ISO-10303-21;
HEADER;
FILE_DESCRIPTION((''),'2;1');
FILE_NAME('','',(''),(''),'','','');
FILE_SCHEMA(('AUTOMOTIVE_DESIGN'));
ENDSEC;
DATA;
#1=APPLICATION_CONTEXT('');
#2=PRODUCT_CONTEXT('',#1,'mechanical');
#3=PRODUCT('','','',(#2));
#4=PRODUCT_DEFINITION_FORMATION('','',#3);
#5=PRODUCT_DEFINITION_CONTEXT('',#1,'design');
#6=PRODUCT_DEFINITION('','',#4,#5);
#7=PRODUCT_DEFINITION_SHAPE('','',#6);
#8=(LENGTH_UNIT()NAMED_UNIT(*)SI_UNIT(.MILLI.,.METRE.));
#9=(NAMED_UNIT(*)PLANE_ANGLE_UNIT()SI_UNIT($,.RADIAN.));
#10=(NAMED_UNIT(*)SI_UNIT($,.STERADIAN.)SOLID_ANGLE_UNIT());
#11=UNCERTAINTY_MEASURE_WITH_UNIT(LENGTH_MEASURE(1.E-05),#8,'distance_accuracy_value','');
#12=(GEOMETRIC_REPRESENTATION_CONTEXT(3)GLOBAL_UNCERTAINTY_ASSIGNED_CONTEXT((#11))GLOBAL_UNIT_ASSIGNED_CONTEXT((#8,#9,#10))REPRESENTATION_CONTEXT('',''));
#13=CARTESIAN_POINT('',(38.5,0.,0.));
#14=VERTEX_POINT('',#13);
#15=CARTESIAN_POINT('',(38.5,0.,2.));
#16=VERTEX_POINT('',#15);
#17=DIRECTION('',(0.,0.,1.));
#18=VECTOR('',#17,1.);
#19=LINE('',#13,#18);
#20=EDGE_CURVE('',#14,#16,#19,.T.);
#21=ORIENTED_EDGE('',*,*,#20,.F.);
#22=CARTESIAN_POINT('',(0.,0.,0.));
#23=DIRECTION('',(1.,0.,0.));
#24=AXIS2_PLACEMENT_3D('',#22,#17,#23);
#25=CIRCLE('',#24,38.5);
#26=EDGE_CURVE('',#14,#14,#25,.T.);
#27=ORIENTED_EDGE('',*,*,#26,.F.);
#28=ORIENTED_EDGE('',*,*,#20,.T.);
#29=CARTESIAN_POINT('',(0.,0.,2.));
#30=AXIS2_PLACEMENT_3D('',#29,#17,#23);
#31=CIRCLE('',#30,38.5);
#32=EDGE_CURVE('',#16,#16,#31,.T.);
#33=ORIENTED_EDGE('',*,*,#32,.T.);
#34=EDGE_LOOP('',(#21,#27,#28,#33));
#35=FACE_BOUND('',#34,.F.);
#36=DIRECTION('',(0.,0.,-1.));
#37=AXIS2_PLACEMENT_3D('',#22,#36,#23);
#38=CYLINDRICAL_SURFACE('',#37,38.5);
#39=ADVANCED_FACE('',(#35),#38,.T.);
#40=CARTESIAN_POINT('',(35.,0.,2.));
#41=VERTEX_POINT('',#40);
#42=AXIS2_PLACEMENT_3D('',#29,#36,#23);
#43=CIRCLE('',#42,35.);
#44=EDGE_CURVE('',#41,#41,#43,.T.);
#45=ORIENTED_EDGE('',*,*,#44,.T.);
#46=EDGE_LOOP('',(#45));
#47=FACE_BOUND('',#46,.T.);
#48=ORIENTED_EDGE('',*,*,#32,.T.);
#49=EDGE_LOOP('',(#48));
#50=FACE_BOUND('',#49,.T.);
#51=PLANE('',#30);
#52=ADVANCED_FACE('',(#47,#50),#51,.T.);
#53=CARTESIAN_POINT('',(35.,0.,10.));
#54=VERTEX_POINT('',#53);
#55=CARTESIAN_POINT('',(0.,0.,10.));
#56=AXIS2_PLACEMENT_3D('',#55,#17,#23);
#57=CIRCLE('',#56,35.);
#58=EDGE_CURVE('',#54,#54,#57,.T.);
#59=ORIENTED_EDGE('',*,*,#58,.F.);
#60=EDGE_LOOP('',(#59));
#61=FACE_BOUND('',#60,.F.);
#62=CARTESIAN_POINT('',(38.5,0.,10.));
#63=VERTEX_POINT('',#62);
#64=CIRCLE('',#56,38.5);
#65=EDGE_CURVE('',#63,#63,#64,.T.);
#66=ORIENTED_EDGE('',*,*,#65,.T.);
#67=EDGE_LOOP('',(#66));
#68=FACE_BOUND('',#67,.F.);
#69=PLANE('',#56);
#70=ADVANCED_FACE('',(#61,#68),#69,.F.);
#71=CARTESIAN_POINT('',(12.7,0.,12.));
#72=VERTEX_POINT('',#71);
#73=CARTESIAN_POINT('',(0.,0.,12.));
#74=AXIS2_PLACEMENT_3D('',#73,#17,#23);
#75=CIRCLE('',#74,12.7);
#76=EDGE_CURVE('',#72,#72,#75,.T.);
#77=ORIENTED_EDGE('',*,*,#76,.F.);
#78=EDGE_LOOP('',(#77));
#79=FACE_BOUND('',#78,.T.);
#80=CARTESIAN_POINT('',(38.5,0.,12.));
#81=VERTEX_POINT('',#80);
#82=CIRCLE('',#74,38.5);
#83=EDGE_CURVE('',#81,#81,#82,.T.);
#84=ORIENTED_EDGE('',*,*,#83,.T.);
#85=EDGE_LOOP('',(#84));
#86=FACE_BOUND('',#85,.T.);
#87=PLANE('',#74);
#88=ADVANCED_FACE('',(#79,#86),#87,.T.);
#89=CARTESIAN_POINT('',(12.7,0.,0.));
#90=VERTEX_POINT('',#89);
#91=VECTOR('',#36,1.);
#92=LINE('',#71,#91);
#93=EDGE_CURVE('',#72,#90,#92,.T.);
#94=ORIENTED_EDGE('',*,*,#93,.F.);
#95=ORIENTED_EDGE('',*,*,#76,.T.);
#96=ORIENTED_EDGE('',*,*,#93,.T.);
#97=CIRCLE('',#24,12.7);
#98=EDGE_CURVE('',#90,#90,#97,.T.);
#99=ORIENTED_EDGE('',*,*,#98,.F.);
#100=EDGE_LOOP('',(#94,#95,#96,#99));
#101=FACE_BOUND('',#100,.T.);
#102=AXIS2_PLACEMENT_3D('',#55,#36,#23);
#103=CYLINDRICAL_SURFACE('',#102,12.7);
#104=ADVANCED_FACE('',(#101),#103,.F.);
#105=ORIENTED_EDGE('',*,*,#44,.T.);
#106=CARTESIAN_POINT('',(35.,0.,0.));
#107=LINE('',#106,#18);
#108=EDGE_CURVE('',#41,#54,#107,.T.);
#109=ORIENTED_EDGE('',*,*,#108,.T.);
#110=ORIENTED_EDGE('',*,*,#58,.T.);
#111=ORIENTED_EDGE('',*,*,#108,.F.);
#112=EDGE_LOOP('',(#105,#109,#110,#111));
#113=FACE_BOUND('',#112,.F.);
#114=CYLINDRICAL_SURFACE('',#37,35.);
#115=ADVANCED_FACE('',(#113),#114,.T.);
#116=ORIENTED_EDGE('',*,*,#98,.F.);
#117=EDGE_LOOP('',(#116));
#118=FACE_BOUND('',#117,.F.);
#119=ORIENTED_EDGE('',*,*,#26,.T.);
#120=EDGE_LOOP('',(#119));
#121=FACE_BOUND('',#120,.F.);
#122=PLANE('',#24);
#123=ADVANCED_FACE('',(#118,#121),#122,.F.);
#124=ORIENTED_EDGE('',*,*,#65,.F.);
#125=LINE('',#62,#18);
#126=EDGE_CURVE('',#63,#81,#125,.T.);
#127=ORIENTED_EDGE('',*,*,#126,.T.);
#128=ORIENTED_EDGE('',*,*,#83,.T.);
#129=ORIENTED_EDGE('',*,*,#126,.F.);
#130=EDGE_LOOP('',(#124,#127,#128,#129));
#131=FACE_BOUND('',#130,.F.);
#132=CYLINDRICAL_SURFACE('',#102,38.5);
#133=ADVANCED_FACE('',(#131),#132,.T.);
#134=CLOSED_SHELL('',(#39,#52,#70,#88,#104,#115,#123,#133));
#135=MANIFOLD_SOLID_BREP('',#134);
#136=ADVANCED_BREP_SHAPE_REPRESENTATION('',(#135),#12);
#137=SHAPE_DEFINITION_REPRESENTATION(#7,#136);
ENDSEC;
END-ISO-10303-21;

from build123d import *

# Parameters (mm, degrees)
F0_R     = 38.5
F0_R_2   = 35
F0_R_3   = 12.7
F1_DEPTH = 2
F2_DEPTH = 10
F3_R     = 38.5
F3_R_2   = 35
F3_R_3   = 12.7
F4_DEPTH = 2


with BuildPart() as f1:
    # F0 (on Top) → F1 (new body)
    with BuildSketch(Plane.XY):
        Circle(F0_R)
        Circle(F0_R_2, mode=Mode.SUBTRACT)
        Circle(F0_R_2)
        Circle(F0_R_3, mode=Mode.SUBTRACT)
    extrude(amount=F1_DEPTH)

    # F0 (on Top) → F2 (join)
    with BuildSketch(Plane.XY):
        Circle(F0_R_2)
        Circle(F0_R_3, mode=Mode.SUBTRACT)
    extrude(amount=F2_DEPTH)

    # F3 (on face) → F4 (join)
    with BuildSketch(Plane.XY.offset(10)):
        Circle(F3_R)
        Circle(F3_R_2, mode=Mode.SUBTRACT)
        Circle(F3_R_2)
        Circle(F3_R_3, mode=Mode.SUBTRACT)
    extrude(amount=F4_DEPTH)


solid = f1.part
